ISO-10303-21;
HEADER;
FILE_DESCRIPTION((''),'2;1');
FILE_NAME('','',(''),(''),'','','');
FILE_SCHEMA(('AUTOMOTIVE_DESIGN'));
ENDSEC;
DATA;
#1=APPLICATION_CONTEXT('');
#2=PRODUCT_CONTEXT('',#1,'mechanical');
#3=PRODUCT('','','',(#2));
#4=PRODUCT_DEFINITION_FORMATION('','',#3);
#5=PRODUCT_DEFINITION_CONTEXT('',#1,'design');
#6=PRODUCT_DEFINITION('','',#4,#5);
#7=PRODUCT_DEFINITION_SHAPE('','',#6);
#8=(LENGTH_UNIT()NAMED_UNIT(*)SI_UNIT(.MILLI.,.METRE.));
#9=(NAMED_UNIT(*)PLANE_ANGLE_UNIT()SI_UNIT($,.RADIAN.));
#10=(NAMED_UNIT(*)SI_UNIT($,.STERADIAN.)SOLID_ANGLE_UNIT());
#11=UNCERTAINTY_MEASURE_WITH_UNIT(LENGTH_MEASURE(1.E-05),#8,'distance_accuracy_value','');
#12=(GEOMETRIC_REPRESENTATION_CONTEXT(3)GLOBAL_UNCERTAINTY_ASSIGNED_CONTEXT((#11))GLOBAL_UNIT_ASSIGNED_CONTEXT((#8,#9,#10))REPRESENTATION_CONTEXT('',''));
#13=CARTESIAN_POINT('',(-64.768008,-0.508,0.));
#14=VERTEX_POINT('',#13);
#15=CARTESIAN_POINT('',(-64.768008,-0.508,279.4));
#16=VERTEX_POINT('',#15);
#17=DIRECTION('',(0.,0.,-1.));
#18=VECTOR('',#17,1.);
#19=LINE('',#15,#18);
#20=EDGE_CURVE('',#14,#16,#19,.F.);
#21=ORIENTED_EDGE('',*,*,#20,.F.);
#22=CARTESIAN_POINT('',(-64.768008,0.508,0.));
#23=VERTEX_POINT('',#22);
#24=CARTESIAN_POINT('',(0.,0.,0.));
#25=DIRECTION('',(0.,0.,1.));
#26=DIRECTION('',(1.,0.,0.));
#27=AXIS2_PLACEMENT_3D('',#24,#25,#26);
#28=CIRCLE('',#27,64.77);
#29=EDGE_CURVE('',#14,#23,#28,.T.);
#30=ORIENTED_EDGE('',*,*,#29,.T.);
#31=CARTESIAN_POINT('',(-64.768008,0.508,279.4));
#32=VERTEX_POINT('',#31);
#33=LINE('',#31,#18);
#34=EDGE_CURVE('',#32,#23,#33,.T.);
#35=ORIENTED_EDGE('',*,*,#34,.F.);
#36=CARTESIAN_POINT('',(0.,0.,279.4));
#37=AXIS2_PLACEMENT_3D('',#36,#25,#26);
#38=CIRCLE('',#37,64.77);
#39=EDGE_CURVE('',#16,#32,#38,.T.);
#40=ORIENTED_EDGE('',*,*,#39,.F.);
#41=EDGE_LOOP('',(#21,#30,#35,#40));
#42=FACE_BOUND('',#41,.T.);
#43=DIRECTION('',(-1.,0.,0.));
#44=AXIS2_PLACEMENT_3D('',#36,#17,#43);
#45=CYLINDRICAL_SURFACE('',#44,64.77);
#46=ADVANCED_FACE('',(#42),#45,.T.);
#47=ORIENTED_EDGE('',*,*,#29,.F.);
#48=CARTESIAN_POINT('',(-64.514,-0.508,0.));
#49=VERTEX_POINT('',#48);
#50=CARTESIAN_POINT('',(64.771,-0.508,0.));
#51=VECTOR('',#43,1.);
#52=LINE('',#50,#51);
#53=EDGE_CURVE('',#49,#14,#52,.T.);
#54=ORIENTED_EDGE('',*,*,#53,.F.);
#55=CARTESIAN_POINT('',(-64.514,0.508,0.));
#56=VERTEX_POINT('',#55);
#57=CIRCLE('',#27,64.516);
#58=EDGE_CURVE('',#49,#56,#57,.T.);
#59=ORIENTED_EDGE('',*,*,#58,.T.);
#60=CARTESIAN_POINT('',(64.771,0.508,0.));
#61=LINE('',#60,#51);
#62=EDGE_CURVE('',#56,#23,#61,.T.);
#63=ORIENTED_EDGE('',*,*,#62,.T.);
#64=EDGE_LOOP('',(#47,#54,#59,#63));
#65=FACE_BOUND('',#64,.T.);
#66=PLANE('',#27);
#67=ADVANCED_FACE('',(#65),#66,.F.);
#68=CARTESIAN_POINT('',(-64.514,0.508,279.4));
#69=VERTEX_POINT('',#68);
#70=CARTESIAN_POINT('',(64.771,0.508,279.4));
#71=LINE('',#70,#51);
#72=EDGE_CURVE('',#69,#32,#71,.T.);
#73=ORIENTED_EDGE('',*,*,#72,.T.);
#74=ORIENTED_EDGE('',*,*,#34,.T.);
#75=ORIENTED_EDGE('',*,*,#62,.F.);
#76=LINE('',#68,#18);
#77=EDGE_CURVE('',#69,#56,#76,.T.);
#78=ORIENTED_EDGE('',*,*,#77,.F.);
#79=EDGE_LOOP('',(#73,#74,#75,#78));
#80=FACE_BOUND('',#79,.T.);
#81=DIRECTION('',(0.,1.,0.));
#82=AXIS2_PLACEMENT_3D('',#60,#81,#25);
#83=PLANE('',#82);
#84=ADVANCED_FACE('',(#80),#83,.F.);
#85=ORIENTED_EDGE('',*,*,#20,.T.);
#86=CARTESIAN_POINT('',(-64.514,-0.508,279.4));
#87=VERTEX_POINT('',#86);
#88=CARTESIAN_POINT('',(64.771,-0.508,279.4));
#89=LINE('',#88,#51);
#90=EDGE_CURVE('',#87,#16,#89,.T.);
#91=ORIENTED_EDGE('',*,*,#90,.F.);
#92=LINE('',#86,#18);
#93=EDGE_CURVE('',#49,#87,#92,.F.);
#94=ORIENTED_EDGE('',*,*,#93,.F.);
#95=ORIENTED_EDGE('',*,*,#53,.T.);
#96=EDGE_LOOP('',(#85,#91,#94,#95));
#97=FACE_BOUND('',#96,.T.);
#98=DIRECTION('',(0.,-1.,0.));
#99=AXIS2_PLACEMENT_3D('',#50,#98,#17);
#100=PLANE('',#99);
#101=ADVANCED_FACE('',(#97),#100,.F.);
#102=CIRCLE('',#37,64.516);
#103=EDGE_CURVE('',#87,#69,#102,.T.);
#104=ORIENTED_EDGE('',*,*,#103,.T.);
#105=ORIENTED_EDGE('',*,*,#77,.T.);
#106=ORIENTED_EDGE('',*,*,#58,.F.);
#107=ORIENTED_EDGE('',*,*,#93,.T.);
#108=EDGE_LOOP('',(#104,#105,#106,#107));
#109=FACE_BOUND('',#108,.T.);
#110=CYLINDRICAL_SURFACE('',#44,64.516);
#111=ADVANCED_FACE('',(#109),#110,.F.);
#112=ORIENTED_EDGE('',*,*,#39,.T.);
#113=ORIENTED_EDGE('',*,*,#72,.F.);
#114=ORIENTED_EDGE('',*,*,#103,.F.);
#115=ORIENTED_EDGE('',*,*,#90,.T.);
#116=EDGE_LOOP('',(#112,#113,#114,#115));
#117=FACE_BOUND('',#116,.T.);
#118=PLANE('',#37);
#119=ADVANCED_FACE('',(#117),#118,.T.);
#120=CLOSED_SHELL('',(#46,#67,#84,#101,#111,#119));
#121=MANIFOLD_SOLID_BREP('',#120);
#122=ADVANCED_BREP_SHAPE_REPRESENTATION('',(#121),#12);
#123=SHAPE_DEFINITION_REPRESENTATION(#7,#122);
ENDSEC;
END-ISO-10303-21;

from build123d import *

# Parameters (mm, degrees)
SKETCH2_R               = 64.77
SKETCH2_R_2             = 64.516
BOSS_EXTRUDE1_DEPTH     = 279.4
CUT_EXTRUDE1_REACH      = 316.706
CUT_EXTRUDE1_END_RADIUS = 64.516
SKETCH5_W               = 279.4
SKETCH5_H               = 1.016


with BuildPart() as part:
    # Sketch2 → Boss-Extrude1 (new body)
    with BuildSketch(Plane.XY):
        Circle(SKETCH2_R)
        Circle(SKETCH2_R_2, mode=Mode.SUBTRACT)
    extrude(amount=BOSS_EXTRUDE1_DEPTH)

    # Cut-Extrude1: up to this cylinder (the profile starts outside it)
    cut_extrude1_end = Plane(origin=(0, 0, 139.7), z_dir=(0, 0, -1)) * Cylinder(CUT_EXTRUDE1_END_RADIUS, 763.444, mode=Mode.PRIVATE)
    # Sketch5 → Cut-Extrude1 (cut, up to the surface)
    with BuildSketch(Plane.ZY.offset(64.77), mode=Mode.PRIVATE) as cut_extrude1_sk1:
        with Locations((139.7, 0)):
            Rectangle(SKETCH5_W, SKETCH5_H)
    cut_extrude1_tool1 = extrude(cut_extrude1_sk1.sketch, amount=-CUT_EXTRUDE1_REACH, mode=Mode.PRIVATE) - cut_extrude1_end
    add(cut_extrude1_tool1.solids().sort_by_distance((-64.77, 0, 139.7))[0], mode=Mode.SUBTRACT)


solid = part.part
